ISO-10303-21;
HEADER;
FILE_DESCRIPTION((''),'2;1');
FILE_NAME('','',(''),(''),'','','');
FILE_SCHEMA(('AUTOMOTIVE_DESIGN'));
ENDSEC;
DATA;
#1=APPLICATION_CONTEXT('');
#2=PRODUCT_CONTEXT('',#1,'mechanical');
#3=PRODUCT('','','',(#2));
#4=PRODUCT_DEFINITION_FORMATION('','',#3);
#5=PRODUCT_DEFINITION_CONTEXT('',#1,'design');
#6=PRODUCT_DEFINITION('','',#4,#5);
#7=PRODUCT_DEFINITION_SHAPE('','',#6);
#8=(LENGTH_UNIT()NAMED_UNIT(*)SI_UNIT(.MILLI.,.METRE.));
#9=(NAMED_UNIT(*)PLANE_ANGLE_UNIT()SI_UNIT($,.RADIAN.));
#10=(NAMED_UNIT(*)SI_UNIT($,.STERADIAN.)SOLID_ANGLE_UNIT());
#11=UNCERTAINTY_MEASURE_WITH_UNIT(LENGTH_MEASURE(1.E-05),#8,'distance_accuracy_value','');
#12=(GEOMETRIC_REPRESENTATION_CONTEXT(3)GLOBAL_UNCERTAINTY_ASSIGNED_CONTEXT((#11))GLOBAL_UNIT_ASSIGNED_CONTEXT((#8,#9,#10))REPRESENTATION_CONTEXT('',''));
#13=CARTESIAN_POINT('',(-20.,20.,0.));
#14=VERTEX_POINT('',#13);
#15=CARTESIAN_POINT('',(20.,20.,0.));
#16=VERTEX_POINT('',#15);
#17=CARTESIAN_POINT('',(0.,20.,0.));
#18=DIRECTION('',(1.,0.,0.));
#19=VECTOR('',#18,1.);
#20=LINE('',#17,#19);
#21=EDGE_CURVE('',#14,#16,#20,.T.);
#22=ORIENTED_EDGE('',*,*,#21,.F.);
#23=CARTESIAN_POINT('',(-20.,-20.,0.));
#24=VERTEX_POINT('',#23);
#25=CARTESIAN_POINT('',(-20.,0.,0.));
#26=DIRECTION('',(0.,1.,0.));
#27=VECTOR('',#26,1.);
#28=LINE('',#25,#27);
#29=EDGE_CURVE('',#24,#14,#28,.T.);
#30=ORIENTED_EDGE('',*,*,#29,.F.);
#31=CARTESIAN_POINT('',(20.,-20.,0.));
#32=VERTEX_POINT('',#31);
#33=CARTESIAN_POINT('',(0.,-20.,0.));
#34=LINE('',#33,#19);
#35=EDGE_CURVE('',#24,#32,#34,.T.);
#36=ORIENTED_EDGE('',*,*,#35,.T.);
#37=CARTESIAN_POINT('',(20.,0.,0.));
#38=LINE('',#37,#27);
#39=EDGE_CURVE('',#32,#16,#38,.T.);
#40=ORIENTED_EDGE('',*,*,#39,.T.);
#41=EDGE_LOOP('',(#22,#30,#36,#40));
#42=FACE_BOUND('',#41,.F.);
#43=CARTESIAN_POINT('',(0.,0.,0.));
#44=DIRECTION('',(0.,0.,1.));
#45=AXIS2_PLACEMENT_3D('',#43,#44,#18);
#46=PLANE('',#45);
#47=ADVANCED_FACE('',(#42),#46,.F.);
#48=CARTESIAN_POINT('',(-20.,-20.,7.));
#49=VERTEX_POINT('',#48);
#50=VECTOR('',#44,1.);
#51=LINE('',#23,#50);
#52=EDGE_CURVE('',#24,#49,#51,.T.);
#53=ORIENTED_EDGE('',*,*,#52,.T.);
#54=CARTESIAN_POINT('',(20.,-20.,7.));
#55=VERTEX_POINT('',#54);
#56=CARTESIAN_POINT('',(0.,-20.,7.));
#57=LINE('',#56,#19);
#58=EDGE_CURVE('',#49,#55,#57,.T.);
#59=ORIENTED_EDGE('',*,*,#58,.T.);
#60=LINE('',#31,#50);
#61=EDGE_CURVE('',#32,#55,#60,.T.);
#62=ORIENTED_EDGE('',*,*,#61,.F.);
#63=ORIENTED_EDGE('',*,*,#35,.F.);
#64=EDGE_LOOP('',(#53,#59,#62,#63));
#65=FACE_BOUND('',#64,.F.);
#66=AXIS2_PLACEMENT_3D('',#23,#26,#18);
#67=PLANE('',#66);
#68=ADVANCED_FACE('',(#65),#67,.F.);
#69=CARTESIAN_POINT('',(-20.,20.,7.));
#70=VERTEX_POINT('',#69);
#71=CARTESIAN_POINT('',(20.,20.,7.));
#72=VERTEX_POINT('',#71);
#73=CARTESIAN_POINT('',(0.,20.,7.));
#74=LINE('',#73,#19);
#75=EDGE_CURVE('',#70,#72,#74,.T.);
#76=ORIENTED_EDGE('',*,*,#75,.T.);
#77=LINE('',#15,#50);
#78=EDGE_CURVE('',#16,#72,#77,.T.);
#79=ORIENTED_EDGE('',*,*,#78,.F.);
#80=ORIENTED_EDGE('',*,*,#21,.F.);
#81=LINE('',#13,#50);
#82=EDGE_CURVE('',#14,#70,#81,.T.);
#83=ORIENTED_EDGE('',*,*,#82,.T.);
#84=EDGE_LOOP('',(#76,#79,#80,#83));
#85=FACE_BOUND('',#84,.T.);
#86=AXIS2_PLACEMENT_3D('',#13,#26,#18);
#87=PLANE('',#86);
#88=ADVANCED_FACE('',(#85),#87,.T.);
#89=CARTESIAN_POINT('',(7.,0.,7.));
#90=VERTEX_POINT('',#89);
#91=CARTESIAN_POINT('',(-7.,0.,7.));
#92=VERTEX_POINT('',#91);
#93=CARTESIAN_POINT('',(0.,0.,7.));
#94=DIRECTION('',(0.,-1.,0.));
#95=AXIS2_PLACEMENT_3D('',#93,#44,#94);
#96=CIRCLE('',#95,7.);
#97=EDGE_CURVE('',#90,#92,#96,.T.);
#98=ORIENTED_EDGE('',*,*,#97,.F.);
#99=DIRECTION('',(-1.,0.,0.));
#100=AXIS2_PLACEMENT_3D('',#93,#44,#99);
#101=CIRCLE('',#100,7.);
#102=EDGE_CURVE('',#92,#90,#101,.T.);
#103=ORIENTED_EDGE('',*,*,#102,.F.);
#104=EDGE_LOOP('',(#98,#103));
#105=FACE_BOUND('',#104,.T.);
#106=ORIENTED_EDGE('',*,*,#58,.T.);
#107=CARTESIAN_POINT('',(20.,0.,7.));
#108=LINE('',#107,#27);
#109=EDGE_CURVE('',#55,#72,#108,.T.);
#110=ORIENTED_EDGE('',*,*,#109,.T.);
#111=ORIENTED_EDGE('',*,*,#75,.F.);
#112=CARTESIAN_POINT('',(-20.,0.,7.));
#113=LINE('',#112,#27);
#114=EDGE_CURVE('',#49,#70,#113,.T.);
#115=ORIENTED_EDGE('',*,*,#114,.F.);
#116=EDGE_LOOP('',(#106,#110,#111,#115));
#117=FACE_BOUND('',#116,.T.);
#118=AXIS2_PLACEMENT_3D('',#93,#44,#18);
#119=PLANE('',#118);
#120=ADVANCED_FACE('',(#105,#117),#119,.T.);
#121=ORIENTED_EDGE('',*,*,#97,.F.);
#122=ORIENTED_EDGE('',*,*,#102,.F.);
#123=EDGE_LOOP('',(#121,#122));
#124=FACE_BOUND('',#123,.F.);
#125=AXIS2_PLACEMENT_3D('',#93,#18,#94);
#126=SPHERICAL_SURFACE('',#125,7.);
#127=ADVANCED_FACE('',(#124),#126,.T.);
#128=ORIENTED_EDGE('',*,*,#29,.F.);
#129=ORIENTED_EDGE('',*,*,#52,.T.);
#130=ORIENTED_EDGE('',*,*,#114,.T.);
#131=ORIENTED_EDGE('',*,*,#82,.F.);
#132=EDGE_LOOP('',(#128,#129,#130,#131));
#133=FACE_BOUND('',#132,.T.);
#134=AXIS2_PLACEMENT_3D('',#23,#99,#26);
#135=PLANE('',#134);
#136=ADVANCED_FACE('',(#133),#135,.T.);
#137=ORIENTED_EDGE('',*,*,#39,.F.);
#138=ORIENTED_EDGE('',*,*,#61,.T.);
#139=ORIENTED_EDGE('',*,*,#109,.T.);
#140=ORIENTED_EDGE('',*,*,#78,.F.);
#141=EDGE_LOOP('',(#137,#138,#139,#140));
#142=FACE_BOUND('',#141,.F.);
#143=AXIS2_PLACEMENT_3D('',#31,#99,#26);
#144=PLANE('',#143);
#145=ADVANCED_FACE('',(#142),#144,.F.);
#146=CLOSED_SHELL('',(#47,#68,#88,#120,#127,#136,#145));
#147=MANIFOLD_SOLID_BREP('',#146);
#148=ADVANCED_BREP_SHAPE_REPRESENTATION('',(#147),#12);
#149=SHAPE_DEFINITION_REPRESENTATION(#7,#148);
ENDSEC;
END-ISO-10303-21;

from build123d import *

# Parameters (mm, degrees)
F0_W     = 40
F0_H     = 40
F1_DEPTH = 7


with BuildPart() as f1:
    # F0 (on Top) → F1 (new body)
    with BuildSketch(Plane.XY):
        Rectangle(F0_W, F0_H)
    extrude(amount=F1_DEPTH)

    # F2 (on face) → F3 (revolve)
    with BuildSketch(Plane.XY.offset(7)):
        with BuildLine():
            Line((7, 0), (-7, 0))
            ThreePointArc((-7, 0), (0, -7), (7, 0))
        make_face()
    revolve(axis=Axis((0, 0, 7), (-1, 0, 0)))


solid = f1.part
